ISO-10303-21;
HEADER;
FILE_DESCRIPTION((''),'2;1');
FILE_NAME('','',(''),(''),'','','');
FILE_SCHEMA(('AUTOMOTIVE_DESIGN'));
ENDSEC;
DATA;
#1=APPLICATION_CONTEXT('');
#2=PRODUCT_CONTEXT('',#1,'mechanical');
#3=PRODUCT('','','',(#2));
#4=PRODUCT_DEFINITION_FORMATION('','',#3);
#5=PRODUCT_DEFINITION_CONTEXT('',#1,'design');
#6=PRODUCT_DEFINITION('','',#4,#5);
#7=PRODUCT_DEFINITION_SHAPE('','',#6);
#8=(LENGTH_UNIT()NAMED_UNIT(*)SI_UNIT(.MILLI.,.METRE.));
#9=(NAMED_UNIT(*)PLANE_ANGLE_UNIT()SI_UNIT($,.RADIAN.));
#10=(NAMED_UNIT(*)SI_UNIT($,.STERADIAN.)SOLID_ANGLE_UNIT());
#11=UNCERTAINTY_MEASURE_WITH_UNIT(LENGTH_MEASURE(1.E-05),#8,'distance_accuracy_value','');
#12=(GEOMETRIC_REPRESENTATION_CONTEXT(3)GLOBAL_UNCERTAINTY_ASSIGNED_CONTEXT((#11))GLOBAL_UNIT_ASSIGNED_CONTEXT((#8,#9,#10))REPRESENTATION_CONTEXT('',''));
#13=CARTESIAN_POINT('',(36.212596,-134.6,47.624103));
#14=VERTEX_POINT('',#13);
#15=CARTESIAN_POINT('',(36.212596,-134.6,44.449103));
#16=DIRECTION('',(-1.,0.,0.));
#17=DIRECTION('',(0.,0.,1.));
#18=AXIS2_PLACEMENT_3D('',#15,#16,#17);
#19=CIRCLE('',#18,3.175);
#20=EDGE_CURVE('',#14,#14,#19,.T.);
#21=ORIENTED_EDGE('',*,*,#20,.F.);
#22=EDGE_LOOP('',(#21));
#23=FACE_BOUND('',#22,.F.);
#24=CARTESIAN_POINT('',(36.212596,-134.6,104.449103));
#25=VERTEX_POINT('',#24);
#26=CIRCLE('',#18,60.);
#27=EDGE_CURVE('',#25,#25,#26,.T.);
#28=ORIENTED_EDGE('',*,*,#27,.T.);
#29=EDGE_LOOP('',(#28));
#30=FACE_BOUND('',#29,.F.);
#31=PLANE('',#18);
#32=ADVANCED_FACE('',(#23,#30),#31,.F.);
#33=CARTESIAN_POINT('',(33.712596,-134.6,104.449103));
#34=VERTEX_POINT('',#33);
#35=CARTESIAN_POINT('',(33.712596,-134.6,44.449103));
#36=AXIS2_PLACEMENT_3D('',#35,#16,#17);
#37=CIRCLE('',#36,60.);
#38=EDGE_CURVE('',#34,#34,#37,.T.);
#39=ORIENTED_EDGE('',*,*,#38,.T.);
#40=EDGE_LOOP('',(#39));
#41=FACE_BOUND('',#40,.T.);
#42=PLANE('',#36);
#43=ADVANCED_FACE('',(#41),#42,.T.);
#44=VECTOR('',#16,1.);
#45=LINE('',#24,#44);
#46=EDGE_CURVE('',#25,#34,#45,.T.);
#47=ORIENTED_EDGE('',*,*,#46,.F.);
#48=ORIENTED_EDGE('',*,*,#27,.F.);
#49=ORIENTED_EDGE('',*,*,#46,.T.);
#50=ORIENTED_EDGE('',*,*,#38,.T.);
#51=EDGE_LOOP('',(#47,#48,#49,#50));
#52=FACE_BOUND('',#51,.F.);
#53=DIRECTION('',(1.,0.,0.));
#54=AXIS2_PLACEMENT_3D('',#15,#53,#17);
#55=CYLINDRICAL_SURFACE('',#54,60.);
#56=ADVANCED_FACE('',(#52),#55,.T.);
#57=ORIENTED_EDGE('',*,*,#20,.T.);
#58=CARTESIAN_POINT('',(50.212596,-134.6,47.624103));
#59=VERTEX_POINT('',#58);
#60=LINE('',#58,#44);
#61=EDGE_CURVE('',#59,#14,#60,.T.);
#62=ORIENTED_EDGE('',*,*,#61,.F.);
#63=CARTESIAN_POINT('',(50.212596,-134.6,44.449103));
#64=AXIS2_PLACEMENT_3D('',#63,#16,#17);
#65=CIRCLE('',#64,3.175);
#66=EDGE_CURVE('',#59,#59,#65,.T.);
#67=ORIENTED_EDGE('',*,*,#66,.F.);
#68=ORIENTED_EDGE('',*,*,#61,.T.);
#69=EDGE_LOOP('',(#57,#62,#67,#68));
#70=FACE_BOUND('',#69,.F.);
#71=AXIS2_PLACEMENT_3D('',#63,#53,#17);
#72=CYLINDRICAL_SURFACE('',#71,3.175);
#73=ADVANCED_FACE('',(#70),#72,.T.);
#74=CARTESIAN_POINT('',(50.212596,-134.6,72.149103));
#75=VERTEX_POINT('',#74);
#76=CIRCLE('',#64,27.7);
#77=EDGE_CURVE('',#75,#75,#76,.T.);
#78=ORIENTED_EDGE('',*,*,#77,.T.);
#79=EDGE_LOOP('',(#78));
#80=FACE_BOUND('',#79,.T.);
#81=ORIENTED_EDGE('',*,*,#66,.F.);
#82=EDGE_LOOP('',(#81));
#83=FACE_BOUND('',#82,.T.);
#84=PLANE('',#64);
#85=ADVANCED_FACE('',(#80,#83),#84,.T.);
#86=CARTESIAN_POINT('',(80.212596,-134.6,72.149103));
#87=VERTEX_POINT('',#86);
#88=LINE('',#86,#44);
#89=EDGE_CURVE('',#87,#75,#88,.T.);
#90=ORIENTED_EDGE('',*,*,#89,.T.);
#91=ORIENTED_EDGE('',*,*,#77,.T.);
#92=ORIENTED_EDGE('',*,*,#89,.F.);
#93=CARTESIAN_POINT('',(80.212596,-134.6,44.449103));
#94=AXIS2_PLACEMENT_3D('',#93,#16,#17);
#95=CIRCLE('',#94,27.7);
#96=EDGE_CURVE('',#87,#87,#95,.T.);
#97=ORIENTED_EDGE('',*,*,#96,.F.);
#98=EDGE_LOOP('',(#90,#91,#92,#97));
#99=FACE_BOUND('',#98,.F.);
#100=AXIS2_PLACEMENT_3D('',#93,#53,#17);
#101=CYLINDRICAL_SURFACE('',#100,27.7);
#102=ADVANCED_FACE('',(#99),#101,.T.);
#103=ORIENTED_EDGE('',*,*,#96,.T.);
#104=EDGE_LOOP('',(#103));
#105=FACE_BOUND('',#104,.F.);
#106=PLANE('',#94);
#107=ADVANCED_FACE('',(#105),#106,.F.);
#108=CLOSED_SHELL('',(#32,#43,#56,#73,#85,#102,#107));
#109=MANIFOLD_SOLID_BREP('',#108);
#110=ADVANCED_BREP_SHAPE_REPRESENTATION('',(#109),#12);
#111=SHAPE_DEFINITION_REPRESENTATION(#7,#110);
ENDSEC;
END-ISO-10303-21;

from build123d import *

# Parameters (mm, degrees)
CYLINDER001_R             = 3.175
CYLINDER001_DEPTH         = 14
CYLINDER_R                = 27.7
CYLINDER_DEPTH            = 30
FUSION001_PLACEMENT_ANGLE = 90
CYLINDER003_R             = 60
CYLINDER003_DEPTH         = 2.5


with BuildPart() as cylinder:
    # Cylinder001 → Cylinder001 (new body)
    with BuildSketch(Plane.XY.offset(30)):
        Circle(CYLINDER001_R)
    extrude(amount=CYLINDER001_DEPTH)


with BuildPart() as motor:
    # Cylinder → Cylinder (new body)
    with BuildSketch(Plane.XY):
        Circle(CYLINDER_R)
    extrude(amount=CYLINDER_DEPTH)

    # Fusion001: union Cylinder
    add(cylinder.part)


with BuildPart() as motor_1:
    # Fusion001 placement: moved
    add(motor.part.moved(Location((88.412596, -158.1, 45.549103))).rotate(Axis((88.412596, -158.1, 45.549103), (0, -1, 0)), FUSION001_PLACEMENT_ANGLE))


with BuildPart() as motor_with_prop:
    # Cylinder003 → Cylinder003 (new body)
    with BuildSketch(Plane(origin=(44.412596, -158.1, 45.549103), x_dir=(0, 0, 1), z_dir=(-1, 0, 0))):
        Circle(CYLINDER003_R)
    extrude(amount=CYLINDER003_DEPTH)

    # Fusion005: union motor
    add(motor_1.part)


with BuildPart() as motor_with_prop_1:
    # Fusion005 placement: moved
    add(motor_with_prop.part.moved(Location((-8.2, 23.5, -1.1))))


solid = motor_with_prop_1.part
